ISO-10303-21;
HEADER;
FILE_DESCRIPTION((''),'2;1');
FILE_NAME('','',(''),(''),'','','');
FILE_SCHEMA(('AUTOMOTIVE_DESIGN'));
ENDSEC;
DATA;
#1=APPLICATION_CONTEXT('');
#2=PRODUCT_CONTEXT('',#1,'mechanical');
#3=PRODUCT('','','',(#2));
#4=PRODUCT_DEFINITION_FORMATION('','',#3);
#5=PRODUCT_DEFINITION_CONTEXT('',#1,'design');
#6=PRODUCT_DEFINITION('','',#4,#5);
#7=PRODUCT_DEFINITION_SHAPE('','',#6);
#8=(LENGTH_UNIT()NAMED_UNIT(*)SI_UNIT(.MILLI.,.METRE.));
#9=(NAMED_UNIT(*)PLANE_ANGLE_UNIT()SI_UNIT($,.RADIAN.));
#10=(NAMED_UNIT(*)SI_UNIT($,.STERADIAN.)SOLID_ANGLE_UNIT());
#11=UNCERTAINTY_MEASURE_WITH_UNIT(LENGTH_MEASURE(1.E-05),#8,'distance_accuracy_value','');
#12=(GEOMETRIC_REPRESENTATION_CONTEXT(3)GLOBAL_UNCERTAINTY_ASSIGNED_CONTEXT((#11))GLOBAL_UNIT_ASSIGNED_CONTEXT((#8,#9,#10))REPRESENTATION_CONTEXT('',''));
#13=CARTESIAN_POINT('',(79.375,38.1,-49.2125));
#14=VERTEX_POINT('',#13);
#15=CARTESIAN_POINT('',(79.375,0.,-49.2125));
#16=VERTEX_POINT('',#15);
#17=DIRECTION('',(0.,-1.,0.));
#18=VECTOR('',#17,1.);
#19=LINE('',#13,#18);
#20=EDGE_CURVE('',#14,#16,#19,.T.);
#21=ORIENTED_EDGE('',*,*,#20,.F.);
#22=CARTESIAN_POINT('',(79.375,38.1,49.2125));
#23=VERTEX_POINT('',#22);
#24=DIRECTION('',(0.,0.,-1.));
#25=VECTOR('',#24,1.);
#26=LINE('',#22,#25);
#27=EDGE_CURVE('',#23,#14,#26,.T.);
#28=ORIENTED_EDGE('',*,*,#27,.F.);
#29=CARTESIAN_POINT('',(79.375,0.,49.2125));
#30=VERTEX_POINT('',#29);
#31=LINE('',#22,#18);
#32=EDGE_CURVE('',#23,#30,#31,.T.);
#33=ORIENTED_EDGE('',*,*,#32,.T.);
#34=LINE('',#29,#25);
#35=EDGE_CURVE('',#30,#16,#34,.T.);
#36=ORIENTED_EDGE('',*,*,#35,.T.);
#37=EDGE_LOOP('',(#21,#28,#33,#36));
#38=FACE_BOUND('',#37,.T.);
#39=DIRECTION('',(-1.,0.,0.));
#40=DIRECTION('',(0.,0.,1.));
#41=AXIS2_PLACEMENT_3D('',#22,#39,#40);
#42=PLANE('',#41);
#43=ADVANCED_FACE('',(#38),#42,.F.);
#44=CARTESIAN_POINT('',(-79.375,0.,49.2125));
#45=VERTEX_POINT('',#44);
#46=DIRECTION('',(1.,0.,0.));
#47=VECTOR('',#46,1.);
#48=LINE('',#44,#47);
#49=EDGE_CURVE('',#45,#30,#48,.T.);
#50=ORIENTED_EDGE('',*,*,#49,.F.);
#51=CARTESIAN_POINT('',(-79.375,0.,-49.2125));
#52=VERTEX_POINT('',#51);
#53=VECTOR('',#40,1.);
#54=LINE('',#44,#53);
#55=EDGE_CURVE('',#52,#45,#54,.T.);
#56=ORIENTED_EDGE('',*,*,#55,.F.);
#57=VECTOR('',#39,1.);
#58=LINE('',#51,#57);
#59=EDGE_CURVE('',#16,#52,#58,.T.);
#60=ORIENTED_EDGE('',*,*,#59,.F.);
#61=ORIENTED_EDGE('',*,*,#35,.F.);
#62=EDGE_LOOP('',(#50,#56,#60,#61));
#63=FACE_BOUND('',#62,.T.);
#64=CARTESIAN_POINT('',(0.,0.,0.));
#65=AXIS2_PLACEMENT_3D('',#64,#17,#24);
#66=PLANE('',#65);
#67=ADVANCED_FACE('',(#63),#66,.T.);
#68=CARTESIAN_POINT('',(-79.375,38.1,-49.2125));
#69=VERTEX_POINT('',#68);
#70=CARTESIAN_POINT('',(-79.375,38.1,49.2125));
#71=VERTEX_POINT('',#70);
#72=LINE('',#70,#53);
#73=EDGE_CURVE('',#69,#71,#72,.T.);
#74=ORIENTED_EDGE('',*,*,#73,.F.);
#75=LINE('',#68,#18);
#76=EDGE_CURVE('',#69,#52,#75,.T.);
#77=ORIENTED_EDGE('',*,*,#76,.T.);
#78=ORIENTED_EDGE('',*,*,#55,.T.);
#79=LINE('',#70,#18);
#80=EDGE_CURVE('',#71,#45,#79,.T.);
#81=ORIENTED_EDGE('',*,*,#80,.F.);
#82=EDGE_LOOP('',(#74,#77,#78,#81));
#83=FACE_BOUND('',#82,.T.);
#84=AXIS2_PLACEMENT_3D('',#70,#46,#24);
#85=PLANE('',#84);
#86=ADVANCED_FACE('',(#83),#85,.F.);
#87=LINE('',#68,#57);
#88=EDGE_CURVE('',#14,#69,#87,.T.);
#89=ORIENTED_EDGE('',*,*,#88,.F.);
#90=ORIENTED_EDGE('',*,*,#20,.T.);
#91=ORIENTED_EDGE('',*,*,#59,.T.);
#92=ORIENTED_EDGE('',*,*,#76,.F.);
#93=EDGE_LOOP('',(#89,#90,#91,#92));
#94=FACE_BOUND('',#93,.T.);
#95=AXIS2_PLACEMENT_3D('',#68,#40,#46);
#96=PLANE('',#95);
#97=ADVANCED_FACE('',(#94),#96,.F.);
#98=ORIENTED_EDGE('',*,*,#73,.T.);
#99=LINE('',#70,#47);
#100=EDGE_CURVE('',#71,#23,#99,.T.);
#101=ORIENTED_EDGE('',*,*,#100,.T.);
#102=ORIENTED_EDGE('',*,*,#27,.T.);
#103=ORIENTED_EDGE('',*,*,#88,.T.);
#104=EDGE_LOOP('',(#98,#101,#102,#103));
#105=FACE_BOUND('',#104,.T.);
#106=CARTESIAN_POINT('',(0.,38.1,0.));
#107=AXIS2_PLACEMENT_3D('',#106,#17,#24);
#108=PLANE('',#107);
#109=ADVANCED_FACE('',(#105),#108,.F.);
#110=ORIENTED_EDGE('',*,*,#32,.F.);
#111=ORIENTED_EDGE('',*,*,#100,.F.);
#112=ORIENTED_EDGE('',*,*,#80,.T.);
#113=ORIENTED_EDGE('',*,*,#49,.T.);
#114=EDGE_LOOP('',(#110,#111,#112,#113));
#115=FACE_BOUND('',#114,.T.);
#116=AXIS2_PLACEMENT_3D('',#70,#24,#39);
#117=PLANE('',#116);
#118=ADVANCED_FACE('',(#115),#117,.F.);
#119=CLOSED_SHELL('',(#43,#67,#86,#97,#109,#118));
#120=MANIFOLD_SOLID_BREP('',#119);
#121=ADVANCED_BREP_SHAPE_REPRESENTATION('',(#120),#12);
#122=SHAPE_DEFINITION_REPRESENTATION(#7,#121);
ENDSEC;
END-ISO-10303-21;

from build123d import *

# Parameters (mm, degrees)
SKETCH1_W           = 158.75
SKETCH1_H           = 98.425
BOSS_EXTRUDE1_DEPTH = 38.1


with BuildPart() as part:
    # Sketch1 → Boss-Extrude1 (new body)
    with BuildSketch(Plane(origin=(0, 0, 0), x_dir=(1, 0, 0), z_dir=(0, 1, 0))):
        Rectangle(SKETCH1_W, SKETCH1_H)
    extrude(amount=BOSS_EXTRUDE1_DEPTH)


solid = part.part
